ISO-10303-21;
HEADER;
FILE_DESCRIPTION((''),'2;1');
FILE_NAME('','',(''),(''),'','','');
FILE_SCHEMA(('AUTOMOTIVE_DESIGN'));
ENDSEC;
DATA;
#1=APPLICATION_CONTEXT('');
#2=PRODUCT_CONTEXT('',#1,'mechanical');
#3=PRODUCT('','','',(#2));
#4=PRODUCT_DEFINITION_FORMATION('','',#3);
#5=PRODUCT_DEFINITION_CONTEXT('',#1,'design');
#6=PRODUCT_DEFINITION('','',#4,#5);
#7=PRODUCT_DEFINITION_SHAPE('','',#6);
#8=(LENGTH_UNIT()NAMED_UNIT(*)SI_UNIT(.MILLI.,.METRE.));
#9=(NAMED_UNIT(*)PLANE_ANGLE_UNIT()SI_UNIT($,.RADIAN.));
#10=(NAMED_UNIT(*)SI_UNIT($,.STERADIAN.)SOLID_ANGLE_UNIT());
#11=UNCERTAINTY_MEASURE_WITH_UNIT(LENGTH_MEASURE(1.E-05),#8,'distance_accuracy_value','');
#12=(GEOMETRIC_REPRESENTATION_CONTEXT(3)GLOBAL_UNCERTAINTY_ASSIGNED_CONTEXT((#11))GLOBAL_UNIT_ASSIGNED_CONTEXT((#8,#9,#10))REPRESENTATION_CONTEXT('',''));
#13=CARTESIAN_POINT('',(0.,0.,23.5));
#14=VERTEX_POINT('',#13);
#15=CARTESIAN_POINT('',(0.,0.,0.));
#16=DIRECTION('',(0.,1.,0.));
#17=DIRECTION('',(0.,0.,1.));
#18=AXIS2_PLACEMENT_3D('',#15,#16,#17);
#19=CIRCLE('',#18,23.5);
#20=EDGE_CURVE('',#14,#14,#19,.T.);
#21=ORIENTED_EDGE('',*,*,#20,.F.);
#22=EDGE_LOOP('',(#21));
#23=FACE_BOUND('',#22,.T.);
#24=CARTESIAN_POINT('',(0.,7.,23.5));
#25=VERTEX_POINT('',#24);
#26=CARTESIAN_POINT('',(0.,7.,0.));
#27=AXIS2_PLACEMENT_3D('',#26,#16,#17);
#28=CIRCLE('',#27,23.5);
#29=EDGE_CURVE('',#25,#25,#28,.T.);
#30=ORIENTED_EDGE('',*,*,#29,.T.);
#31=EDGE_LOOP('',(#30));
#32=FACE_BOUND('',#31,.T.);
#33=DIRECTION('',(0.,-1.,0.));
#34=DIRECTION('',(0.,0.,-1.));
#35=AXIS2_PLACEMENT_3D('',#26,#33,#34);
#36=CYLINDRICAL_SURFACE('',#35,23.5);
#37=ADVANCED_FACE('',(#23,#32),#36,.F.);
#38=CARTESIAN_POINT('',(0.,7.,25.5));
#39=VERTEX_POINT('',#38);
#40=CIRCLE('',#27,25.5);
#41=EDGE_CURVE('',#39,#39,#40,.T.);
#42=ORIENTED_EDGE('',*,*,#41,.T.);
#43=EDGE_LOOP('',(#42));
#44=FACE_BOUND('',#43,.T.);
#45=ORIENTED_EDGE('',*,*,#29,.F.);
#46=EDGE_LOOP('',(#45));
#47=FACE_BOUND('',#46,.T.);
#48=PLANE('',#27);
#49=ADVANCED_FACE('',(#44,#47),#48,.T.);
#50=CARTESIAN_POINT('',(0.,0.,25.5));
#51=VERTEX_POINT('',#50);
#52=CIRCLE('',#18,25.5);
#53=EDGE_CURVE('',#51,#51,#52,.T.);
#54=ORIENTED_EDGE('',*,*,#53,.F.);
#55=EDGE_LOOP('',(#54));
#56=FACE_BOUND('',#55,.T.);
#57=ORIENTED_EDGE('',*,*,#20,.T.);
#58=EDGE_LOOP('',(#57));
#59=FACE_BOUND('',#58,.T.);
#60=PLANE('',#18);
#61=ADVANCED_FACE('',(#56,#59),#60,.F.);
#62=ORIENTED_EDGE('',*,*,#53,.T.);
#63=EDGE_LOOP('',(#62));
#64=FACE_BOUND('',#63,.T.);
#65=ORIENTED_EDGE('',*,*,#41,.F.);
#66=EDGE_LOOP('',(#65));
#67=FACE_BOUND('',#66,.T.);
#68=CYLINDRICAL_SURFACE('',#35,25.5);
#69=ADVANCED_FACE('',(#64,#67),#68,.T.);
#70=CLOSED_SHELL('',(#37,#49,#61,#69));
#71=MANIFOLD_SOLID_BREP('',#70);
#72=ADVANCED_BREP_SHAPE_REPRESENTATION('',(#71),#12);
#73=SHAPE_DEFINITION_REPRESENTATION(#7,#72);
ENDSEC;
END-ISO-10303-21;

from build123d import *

# Parameters (mm, degrees)
SKETCH_1_R      = 25.5
SKETCH_1_R_2    = 23.5
EXTRUDE_1_DEPTH = 7


with BuildPart() as part:
    # 草图1 → 凸台-拉伸1 (new body)
    with BuildSketch(Plane(origin=(0, 0, 0), x_dir=(1, 0, 0), z_dir=(0, 1, 0))):
        Circle(SKETCH_1_R)
        Circle(SKETCH_1_R_2, mode=Mode.SUBTRACT)
    extrude(amount=EXTRUDE_1_DEPTH)


solid = part.part
